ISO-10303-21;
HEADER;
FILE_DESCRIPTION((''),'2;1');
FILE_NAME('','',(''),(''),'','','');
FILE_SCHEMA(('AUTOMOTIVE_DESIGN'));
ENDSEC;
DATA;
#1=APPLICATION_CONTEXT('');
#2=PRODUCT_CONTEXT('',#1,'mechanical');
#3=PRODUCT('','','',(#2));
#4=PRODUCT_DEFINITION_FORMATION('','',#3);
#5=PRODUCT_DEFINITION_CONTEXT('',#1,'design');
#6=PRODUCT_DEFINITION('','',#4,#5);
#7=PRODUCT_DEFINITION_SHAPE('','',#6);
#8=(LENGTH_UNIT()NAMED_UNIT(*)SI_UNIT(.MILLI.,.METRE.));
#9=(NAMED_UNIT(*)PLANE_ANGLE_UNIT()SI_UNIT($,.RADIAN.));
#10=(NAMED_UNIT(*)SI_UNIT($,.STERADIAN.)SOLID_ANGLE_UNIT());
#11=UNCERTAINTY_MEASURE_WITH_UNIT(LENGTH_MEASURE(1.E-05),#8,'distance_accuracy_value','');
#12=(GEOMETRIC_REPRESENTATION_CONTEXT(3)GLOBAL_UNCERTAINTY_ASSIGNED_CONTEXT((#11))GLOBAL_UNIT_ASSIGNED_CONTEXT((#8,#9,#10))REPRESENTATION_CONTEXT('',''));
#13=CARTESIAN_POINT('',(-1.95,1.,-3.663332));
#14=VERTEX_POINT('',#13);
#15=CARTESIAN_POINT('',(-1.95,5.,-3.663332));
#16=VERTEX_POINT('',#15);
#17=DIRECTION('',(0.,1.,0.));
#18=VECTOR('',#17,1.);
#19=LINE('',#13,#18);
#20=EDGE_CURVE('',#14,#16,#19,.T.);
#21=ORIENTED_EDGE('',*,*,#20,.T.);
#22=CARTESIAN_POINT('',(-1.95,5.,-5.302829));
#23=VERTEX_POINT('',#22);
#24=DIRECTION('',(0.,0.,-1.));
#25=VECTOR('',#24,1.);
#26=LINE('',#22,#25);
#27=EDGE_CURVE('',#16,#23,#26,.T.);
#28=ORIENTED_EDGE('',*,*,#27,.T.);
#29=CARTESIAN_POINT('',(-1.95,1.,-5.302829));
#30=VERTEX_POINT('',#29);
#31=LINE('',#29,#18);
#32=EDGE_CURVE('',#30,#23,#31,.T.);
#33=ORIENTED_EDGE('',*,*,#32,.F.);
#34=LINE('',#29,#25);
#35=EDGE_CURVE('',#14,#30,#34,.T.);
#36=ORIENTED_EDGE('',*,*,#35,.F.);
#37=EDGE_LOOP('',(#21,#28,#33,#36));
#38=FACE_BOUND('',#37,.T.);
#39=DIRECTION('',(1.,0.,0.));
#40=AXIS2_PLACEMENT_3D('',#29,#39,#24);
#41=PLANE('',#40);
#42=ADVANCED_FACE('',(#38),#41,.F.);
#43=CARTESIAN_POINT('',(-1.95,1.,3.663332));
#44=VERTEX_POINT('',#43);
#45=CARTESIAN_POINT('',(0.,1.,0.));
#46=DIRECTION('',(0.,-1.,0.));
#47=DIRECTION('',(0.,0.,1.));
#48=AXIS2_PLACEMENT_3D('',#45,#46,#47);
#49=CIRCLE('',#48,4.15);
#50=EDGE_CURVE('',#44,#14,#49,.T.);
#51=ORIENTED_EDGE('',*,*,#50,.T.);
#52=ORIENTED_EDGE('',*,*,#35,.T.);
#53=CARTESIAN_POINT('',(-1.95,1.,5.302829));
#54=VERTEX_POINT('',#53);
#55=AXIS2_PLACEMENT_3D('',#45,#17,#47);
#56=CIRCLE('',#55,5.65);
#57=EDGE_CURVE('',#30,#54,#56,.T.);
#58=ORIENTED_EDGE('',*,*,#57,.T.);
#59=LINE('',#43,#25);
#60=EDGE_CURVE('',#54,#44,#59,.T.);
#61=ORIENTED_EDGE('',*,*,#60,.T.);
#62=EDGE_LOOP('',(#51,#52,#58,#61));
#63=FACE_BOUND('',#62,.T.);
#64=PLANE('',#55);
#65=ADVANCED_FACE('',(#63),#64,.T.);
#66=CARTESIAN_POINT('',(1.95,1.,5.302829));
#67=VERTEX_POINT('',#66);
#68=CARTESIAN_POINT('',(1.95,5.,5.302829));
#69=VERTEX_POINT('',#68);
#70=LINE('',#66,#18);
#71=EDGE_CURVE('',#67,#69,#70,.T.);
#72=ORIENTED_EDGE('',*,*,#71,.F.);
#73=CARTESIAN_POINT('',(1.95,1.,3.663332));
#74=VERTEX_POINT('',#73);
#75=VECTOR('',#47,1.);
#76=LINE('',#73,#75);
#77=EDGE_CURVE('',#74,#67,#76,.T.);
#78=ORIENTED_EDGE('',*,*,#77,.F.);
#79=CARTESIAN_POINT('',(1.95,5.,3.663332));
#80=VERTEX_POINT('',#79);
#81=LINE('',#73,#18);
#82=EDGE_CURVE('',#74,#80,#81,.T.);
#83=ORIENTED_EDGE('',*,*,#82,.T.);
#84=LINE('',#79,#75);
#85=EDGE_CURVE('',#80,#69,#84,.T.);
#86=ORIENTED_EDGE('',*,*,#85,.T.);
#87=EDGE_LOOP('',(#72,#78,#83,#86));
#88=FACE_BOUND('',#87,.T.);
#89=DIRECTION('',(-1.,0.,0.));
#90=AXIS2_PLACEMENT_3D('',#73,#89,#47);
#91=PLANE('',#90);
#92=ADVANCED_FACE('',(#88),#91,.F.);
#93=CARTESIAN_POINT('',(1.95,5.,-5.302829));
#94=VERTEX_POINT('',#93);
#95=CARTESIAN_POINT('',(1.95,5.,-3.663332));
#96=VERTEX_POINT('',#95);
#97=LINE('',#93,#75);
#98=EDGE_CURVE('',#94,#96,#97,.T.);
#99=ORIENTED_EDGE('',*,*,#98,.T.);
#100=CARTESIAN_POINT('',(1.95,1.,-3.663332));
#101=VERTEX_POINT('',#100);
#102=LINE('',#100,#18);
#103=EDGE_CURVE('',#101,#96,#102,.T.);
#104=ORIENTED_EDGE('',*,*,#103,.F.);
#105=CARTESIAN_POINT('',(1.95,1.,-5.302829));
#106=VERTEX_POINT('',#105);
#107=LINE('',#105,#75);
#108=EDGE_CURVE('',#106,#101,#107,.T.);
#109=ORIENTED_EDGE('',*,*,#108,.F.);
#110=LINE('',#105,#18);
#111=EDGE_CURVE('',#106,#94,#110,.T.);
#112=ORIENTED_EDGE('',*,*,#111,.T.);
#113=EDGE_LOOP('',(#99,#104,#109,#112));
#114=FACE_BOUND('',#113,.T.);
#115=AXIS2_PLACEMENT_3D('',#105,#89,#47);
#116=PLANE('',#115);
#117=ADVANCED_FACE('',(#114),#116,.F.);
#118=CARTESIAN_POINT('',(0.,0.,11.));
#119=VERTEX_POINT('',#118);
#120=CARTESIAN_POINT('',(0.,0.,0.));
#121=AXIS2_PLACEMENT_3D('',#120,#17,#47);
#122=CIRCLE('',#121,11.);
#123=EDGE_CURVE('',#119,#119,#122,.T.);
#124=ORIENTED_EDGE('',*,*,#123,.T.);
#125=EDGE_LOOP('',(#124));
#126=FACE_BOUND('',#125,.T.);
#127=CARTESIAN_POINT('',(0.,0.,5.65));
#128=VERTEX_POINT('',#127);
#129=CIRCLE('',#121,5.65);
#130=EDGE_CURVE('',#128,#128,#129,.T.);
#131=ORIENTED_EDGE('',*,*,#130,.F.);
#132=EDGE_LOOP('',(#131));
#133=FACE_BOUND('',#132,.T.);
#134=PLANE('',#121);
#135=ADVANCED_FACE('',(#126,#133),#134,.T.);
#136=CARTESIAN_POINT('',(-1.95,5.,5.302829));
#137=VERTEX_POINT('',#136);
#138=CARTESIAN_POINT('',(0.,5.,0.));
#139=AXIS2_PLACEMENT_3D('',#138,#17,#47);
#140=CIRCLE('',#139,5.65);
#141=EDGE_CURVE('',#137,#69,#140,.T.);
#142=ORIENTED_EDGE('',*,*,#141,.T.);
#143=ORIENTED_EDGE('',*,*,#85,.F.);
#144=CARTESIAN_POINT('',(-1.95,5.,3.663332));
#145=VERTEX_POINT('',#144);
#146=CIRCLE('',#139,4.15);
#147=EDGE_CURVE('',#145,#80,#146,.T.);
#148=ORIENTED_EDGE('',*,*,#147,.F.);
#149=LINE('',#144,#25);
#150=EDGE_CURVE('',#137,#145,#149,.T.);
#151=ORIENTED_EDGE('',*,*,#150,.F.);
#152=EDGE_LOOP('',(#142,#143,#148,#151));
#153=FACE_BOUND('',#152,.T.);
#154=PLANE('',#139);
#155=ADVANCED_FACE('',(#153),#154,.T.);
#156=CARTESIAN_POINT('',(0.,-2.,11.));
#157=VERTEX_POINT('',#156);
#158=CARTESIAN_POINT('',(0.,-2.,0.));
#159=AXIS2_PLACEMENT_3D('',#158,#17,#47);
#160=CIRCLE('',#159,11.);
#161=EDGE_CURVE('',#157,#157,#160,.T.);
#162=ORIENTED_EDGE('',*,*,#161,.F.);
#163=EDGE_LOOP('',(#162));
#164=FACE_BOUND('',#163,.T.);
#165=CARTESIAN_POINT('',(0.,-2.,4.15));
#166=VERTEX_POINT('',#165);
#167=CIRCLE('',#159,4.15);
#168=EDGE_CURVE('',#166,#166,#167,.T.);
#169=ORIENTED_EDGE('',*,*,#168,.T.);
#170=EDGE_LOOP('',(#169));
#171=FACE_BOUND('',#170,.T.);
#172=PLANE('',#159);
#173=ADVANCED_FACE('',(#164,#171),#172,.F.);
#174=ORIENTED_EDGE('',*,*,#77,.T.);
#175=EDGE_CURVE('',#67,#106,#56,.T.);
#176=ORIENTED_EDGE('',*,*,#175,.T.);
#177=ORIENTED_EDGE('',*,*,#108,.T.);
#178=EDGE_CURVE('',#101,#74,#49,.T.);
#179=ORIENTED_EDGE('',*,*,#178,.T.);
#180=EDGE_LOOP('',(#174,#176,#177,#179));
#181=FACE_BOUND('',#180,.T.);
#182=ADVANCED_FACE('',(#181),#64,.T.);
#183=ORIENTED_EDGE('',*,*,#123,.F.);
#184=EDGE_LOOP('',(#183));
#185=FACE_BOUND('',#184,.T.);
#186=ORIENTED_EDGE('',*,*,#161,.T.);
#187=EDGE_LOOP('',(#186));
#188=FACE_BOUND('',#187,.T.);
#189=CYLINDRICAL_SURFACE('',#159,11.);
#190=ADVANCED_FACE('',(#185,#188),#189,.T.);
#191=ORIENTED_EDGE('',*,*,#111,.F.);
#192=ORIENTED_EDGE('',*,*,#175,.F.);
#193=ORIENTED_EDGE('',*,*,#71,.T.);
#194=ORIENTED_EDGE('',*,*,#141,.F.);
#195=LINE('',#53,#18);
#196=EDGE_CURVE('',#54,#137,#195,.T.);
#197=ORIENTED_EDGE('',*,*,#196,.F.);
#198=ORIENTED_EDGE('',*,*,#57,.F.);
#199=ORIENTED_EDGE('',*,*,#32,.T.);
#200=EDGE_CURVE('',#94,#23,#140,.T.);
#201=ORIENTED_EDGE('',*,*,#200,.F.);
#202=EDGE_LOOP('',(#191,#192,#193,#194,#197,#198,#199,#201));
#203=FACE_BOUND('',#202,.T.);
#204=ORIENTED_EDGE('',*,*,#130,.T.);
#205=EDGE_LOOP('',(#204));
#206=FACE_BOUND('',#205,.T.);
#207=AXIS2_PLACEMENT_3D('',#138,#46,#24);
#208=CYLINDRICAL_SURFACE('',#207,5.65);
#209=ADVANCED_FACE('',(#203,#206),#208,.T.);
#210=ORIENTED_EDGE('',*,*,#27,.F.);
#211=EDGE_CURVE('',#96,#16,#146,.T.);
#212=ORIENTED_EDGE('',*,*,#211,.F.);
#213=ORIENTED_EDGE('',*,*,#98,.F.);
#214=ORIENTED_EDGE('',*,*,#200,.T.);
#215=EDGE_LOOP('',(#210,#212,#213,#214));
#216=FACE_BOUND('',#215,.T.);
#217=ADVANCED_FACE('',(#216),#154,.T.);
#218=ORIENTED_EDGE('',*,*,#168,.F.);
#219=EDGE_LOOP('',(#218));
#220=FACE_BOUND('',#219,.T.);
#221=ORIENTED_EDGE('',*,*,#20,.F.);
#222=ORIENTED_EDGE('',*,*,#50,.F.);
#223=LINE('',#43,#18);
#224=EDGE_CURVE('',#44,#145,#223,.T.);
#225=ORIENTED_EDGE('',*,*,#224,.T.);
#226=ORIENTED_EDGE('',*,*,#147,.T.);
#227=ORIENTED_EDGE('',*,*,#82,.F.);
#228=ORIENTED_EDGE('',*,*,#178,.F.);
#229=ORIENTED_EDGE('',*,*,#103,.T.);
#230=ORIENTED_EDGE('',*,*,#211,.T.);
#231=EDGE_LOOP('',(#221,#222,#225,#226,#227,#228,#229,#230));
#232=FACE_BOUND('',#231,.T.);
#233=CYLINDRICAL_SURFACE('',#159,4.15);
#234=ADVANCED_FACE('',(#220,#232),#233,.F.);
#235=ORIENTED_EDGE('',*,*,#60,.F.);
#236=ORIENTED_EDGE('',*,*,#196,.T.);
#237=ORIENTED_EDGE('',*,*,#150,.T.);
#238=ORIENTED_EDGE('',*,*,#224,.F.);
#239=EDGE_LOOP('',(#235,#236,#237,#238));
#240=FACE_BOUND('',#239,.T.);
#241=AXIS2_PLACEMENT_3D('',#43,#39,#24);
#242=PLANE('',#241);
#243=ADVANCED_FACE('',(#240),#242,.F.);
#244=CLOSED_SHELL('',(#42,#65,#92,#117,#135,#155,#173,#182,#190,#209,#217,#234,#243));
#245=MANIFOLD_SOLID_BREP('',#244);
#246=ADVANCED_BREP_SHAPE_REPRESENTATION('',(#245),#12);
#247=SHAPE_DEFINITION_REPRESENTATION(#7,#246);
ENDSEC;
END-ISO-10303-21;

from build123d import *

# Parameters (mm, degrees)
SKETCH_1_R          = 11
SKETCH_1_R_2        = 4.15
EXTRUDE_1_DEPTH     = 2
EXTRUDE_START       = 5
SKETCH_1_3_R        = 5.65
SKETCH_1_3_R_2      = 4.15
EXTRUDE_2_DEPTH     = 5
CUT_EXTRUDE_1_DEPTH = 4


with BuildPart() as part:
    # 草图1 → 凸台-拉伸1 (new body)
    with BuildSketch(Plane(origin=(0, 0, 0), x_dir=(1, 0, 0), z_dir=(0, 1, 0))):
        Circle(SKETCH_1_R)
        Circle(SKETCH_1_R_2, mode=Mode.SUBTRACT)
    extrude(amount=-EXTRUDE_1_DEPTH)

    # 草图1<3> → 凸台-拉伸2 (add)
    with BuildSketch(Plane(origin=(0, 0, 0), x_dir=(1, 0, 0), z_dir=(0, 1, 0)).offset(EXTRUDE_START)):
        Circle(SKETCH_1_3_R)
        Circle(SKETCH_1_3_R_2, mode=Mode.SUBTRACT)
    extrude(amount=-EXTRUDE_2_DEPTH)

    # 草图2 → 切除-拉伸1 (cut)
    with BuildSketch(Plane(origin=(0, 5, 0), x_dir=(1, 0, 0), z_dir=(0, 1, 0))):
        with BuildLine():
            Line((1.95, 5.302829433), (1.95, 3.663331817))
            ThreePointArc((1.95, 3.663331817), (4.15, 0), (1.95, -3.663331817))
            Line((1.95, -3.663331817), (1.95, -5.302829433))
            ThreePointArc((1.95, -5.302829433), (5.65, 0), (1.95, 5.302829433))
        make_face()
        with BuildLine():
            Line((-1.95, 5.302829433), (-1.95, 3.663331817))
            ThreePointArc((-1.95, 3.663331817), (-4.15, 0), (-1.95, -3.663331817))
            Line((-1.95, -3.663331817), (-1.95, -5.302829433))
            ThreePointArc((-1.95, -5.302829433), (-5.65, 0), (-1.95, 5.302829433))
        make_face()
    extrude(amount=-CUT_EXTRUDE_1_DEPTH, mode=Mode.SUBTRACT)


solid = part.part
